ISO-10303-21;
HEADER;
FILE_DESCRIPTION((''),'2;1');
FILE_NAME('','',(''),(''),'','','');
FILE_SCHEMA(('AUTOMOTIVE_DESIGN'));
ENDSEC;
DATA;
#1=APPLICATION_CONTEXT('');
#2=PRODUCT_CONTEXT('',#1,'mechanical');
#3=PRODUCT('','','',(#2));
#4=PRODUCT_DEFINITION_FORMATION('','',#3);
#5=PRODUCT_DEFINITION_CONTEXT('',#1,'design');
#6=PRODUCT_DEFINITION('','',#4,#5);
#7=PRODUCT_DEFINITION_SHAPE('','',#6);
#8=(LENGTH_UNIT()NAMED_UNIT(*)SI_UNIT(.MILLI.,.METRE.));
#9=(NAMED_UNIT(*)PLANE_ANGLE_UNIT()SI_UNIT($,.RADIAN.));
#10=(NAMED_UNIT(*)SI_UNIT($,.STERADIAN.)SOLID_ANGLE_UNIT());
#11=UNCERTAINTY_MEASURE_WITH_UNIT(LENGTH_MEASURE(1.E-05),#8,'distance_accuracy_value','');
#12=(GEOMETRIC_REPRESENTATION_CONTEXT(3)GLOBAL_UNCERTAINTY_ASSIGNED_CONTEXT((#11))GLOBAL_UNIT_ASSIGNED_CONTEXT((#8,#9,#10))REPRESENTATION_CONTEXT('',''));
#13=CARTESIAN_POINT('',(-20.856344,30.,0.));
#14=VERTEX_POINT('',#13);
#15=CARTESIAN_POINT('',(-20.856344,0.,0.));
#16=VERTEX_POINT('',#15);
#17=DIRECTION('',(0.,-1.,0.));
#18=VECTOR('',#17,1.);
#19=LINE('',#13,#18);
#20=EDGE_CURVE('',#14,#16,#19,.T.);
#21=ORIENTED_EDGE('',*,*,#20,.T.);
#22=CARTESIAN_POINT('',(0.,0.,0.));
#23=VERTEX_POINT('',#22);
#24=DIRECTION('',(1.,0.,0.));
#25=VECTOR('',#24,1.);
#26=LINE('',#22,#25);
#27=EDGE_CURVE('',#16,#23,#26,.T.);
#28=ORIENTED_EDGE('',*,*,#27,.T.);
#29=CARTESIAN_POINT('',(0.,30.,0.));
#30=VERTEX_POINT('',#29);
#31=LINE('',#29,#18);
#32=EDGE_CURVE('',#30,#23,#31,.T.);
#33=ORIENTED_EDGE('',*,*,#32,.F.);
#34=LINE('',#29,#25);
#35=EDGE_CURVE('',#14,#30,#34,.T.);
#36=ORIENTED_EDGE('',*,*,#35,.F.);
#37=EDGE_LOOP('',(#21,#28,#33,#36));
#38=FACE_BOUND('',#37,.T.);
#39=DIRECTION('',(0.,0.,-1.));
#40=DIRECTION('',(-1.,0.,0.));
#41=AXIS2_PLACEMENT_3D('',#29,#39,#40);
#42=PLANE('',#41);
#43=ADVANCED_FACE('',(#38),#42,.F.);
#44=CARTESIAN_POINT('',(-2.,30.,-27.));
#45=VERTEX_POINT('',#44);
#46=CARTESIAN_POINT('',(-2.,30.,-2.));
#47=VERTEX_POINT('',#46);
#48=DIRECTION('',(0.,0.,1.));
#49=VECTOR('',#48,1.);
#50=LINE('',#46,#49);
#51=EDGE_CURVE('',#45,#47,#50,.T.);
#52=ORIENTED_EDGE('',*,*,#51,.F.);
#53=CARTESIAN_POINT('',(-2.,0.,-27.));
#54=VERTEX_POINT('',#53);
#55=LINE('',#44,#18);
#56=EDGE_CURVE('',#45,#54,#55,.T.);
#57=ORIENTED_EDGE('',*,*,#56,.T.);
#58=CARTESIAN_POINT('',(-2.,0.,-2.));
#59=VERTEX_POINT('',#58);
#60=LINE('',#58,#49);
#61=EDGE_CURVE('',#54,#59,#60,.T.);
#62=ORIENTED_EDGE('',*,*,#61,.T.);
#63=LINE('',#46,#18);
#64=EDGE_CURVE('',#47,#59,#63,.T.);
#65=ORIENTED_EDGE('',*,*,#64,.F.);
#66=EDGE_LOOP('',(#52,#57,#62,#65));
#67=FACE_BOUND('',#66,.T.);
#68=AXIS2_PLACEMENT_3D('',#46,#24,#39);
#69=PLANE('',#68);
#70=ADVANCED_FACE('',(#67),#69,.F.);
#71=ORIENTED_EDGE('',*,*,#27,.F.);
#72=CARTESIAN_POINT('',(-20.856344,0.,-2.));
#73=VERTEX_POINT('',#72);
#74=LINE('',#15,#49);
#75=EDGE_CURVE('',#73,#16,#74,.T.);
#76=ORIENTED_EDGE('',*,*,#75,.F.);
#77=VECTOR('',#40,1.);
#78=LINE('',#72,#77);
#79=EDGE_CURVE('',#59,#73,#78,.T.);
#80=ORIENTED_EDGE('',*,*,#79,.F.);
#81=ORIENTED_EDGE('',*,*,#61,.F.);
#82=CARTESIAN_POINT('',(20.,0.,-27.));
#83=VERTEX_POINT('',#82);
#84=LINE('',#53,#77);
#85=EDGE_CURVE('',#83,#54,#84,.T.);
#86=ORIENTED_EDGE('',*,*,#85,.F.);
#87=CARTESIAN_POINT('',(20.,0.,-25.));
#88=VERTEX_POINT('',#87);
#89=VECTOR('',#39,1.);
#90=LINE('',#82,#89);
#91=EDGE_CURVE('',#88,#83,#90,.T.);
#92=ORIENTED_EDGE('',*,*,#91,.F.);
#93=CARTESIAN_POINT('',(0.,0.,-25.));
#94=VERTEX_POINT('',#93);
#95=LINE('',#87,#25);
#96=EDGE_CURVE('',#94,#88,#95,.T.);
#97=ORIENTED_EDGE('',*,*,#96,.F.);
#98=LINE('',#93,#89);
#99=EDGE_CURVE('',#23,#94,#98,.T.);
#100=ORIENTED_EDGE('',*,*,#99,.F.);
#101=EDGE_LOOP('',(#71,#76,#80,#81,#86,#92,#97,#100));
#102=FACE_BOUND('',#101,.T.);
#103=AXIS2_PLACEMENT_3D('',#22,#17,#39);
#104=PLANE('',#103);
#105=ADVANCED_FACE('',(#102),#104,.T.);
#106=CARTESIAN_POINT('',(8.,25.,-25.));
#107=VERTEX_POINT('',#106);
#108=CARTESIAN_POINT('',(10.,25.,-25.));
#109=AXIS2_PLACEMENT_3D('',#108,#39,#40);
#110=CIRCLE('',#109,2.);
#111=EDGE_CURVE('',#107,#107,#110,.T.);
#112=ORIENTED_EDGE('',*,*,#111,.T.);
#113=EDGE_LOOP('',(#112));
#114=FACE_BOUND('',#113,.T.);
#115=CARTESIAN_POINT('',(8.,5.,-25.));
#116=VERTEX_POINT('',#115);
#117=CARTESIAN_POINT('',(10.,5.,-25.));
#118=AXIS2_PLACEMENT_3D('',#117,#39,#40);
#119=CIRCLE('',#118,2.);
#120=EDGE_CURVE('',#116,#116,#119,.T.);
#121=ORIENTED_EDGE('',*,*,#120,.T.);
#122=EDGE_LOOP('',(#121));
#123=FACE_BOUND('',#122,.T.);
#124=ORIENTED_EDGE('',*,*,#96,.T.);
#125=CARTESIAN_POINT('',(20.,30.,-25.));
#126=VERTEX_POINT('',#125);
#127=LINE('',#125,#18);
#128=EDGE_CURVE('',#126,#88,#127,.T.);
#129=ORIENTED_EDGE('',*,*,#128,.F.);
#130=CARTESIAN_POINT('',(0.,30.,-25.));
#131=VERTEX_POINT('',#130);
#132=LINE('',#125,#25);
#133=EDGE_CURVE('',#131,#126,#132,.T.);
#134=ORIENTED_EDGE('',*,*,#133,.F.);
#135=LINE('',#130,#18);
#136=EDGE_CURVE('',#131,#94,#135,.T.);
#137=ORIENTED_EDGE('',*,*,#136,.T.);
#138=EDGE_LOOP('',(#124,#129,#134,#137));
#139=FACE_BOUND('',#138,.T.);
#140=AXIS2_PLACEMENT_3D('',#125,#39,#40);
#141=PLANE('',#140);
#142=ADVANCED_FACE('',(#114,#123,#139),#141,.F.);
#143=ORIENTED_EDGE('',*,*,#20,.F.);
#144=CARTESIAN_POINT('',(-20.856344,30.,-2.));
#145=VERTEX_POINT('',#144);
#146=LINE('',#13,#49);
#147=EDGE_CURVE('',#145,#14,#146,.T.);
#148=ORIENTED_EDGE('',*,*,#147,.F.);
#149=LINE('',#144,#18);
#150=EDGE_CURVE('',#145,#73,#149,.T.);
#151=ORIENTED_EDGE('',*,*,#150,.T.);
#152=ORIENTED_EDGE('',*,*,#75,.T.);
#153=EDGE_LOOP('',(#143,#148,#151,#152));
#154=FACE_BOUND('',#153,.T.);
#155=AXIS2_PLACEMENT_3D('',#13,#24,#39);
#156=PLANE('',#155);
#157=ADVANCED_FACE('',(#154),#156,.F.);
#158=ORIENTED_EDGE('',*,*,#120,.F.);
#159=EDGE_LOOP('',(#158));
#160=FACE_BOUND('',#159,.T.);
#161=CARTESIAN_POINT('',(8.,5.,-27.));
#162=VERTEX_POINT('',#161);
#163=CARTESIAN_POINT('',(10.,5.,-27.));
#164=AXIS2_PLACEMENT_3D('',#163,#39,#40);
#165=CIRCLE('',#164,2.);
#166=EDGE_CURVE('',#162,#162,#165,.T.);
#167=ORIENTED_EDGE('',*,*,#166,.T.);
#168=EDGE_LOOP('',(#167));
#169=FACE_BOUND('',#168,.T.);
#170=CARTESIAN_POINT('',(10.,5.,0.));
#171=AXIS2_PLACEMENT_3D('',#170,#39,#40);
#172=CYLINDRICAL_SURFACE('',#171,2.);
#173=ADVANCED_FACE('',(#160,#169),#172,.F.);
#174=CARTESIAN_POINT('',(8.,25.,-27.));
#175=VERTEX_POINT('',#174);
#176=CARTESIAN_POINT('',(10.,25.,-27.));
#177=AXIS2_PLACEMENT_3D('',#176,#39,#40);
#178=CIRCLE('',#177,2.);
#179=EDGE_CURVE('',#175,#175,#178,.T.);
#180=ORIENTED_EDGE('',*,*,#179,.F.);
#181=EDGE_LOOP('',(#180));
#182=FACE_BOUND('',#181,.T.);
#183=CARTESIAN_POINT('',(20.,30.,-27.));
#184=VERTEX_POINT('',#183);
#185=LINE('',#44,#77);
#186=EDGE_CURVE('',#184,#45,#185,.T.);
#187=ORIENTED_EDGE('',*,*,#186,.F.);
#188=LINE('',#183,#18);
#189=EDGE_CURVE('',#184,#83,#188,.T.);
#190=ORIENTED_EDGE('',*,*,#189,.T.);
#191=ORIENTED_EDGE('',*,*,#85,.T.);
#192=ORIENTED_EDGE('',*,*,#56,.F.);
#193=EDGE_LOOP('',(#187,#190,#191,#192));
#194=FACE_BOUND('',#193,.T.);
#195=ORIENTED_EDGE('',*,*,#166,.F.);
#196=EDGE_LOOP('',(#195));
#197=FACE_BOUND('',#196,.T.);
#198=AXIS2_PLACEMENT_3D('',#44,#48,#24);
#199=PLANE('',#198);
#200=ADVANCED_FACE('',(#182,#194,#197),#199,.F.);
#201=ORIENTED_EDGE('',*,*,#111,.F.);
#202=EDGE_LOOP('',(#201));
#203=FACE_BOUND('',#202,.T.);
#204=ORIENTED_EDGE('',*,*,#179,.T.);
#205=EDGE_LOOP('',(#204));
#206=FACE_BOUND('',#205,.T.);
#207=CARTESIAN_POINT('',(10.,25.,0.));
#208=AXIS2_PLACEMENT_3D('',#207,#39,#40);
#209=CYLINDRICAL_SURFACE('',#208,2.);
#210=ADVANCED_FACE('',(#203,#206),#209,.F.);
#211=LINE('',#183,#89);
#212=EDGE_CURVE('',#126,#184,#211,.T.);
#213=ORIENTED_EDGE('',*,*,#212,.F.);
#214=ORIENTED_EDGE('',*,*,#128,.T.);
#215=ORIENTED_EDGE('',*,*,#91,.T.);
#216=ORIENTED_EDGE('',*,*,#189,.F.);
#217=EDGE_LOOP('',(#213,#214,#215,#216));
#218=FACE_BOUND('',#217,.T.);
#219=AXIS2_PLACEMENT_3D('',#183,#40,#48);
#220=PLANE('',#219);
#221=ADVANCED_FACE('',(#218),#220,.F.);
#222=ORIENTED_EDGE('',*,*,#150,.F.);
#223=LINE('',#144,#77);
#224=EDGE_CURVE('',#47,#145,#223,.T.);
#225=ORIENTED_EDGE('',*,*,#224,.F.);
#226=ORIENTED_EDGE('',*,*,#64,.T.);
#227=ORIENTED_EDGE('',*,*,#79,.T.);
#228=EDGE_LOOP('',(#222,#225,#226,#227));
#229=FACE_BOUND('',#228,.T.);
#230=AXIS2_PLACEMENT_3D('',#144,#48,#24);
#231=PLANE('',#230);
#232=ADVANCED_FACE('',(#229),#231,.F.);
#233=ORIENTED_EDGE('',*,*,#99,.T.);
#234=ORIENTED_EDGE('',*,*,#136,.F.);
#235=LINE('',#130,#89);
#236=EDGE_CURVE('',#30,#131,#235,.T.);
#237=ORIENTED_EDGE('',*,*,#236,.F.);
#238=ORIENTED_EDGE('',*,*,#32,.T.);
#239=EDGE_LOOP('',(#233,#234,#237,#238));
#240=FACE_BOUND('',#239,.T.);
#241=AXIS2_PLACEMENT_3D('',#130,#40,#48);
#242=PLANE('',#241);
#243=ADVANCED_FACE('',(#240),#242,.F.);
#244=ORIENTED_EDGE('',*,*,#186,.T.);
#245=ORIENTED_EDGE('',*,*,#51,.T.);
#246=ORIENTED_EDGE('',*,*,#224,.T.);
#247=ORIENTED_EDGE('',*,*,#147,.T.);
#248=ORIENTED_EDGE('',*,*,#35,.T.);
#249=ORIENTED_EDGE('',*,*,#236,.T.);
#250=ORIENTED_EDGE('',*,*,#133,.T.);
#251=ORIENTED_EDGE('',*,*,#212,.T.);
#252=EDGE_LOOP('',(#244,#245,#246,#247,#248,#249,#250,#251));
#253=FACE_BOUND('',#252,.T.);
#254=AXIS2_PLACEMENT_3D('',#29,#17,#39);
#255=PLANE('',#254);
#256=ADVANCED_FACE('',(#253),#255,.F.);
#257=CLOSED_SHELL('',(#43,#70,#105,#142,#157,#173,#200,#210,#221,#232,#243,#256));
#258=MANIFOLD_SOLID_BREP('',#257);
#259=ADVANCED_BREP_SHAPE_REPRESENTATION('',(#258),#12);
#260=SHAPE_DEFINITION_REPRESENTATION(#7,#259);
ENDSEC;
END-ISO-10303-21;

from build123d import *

# Parameters (mm, degrees)
EXTRUDE_1_DEPTH     = 30
SKETCH_2_R          = 2
CUT_EXTRUDE_1_DEPTH = 28


with BuildPart() as part:
    # Эскиз1 → Бобышка-Вытянуть1 (new body)
    with BuildSketch(Plane(origin=(0, 0, 0), x_dir=(1, 0, 0), z_dir=(0, 1, 0))):
        Polygon((0, 0), (-20.856344092, 0), (-20.856344092, 2), (-2, 2), (-2, 27), (20, 27), (20, 25), (0, 25), align=None)
    extrude(amount=EXTRUDE_1_DEPTH)

    # Эскиз2 → Вырез-Вытянуть1 (cut, through all)
    with BuildSketch(Plane(origin=(0, 0, -27), x_dir=(-1, 0, 0), z_dir=(0, 0, -1))):
        with Locations((-10, 25)):
            Circle(SKETCH_2_R)
        with Locations((-10, 5)):
            Circle(SKETCH_2_R)
    extrude(amount=-CUT_EXTRUDE_1_DEPTH, mode=Mode.SUBTRACT)


solid = part.part
